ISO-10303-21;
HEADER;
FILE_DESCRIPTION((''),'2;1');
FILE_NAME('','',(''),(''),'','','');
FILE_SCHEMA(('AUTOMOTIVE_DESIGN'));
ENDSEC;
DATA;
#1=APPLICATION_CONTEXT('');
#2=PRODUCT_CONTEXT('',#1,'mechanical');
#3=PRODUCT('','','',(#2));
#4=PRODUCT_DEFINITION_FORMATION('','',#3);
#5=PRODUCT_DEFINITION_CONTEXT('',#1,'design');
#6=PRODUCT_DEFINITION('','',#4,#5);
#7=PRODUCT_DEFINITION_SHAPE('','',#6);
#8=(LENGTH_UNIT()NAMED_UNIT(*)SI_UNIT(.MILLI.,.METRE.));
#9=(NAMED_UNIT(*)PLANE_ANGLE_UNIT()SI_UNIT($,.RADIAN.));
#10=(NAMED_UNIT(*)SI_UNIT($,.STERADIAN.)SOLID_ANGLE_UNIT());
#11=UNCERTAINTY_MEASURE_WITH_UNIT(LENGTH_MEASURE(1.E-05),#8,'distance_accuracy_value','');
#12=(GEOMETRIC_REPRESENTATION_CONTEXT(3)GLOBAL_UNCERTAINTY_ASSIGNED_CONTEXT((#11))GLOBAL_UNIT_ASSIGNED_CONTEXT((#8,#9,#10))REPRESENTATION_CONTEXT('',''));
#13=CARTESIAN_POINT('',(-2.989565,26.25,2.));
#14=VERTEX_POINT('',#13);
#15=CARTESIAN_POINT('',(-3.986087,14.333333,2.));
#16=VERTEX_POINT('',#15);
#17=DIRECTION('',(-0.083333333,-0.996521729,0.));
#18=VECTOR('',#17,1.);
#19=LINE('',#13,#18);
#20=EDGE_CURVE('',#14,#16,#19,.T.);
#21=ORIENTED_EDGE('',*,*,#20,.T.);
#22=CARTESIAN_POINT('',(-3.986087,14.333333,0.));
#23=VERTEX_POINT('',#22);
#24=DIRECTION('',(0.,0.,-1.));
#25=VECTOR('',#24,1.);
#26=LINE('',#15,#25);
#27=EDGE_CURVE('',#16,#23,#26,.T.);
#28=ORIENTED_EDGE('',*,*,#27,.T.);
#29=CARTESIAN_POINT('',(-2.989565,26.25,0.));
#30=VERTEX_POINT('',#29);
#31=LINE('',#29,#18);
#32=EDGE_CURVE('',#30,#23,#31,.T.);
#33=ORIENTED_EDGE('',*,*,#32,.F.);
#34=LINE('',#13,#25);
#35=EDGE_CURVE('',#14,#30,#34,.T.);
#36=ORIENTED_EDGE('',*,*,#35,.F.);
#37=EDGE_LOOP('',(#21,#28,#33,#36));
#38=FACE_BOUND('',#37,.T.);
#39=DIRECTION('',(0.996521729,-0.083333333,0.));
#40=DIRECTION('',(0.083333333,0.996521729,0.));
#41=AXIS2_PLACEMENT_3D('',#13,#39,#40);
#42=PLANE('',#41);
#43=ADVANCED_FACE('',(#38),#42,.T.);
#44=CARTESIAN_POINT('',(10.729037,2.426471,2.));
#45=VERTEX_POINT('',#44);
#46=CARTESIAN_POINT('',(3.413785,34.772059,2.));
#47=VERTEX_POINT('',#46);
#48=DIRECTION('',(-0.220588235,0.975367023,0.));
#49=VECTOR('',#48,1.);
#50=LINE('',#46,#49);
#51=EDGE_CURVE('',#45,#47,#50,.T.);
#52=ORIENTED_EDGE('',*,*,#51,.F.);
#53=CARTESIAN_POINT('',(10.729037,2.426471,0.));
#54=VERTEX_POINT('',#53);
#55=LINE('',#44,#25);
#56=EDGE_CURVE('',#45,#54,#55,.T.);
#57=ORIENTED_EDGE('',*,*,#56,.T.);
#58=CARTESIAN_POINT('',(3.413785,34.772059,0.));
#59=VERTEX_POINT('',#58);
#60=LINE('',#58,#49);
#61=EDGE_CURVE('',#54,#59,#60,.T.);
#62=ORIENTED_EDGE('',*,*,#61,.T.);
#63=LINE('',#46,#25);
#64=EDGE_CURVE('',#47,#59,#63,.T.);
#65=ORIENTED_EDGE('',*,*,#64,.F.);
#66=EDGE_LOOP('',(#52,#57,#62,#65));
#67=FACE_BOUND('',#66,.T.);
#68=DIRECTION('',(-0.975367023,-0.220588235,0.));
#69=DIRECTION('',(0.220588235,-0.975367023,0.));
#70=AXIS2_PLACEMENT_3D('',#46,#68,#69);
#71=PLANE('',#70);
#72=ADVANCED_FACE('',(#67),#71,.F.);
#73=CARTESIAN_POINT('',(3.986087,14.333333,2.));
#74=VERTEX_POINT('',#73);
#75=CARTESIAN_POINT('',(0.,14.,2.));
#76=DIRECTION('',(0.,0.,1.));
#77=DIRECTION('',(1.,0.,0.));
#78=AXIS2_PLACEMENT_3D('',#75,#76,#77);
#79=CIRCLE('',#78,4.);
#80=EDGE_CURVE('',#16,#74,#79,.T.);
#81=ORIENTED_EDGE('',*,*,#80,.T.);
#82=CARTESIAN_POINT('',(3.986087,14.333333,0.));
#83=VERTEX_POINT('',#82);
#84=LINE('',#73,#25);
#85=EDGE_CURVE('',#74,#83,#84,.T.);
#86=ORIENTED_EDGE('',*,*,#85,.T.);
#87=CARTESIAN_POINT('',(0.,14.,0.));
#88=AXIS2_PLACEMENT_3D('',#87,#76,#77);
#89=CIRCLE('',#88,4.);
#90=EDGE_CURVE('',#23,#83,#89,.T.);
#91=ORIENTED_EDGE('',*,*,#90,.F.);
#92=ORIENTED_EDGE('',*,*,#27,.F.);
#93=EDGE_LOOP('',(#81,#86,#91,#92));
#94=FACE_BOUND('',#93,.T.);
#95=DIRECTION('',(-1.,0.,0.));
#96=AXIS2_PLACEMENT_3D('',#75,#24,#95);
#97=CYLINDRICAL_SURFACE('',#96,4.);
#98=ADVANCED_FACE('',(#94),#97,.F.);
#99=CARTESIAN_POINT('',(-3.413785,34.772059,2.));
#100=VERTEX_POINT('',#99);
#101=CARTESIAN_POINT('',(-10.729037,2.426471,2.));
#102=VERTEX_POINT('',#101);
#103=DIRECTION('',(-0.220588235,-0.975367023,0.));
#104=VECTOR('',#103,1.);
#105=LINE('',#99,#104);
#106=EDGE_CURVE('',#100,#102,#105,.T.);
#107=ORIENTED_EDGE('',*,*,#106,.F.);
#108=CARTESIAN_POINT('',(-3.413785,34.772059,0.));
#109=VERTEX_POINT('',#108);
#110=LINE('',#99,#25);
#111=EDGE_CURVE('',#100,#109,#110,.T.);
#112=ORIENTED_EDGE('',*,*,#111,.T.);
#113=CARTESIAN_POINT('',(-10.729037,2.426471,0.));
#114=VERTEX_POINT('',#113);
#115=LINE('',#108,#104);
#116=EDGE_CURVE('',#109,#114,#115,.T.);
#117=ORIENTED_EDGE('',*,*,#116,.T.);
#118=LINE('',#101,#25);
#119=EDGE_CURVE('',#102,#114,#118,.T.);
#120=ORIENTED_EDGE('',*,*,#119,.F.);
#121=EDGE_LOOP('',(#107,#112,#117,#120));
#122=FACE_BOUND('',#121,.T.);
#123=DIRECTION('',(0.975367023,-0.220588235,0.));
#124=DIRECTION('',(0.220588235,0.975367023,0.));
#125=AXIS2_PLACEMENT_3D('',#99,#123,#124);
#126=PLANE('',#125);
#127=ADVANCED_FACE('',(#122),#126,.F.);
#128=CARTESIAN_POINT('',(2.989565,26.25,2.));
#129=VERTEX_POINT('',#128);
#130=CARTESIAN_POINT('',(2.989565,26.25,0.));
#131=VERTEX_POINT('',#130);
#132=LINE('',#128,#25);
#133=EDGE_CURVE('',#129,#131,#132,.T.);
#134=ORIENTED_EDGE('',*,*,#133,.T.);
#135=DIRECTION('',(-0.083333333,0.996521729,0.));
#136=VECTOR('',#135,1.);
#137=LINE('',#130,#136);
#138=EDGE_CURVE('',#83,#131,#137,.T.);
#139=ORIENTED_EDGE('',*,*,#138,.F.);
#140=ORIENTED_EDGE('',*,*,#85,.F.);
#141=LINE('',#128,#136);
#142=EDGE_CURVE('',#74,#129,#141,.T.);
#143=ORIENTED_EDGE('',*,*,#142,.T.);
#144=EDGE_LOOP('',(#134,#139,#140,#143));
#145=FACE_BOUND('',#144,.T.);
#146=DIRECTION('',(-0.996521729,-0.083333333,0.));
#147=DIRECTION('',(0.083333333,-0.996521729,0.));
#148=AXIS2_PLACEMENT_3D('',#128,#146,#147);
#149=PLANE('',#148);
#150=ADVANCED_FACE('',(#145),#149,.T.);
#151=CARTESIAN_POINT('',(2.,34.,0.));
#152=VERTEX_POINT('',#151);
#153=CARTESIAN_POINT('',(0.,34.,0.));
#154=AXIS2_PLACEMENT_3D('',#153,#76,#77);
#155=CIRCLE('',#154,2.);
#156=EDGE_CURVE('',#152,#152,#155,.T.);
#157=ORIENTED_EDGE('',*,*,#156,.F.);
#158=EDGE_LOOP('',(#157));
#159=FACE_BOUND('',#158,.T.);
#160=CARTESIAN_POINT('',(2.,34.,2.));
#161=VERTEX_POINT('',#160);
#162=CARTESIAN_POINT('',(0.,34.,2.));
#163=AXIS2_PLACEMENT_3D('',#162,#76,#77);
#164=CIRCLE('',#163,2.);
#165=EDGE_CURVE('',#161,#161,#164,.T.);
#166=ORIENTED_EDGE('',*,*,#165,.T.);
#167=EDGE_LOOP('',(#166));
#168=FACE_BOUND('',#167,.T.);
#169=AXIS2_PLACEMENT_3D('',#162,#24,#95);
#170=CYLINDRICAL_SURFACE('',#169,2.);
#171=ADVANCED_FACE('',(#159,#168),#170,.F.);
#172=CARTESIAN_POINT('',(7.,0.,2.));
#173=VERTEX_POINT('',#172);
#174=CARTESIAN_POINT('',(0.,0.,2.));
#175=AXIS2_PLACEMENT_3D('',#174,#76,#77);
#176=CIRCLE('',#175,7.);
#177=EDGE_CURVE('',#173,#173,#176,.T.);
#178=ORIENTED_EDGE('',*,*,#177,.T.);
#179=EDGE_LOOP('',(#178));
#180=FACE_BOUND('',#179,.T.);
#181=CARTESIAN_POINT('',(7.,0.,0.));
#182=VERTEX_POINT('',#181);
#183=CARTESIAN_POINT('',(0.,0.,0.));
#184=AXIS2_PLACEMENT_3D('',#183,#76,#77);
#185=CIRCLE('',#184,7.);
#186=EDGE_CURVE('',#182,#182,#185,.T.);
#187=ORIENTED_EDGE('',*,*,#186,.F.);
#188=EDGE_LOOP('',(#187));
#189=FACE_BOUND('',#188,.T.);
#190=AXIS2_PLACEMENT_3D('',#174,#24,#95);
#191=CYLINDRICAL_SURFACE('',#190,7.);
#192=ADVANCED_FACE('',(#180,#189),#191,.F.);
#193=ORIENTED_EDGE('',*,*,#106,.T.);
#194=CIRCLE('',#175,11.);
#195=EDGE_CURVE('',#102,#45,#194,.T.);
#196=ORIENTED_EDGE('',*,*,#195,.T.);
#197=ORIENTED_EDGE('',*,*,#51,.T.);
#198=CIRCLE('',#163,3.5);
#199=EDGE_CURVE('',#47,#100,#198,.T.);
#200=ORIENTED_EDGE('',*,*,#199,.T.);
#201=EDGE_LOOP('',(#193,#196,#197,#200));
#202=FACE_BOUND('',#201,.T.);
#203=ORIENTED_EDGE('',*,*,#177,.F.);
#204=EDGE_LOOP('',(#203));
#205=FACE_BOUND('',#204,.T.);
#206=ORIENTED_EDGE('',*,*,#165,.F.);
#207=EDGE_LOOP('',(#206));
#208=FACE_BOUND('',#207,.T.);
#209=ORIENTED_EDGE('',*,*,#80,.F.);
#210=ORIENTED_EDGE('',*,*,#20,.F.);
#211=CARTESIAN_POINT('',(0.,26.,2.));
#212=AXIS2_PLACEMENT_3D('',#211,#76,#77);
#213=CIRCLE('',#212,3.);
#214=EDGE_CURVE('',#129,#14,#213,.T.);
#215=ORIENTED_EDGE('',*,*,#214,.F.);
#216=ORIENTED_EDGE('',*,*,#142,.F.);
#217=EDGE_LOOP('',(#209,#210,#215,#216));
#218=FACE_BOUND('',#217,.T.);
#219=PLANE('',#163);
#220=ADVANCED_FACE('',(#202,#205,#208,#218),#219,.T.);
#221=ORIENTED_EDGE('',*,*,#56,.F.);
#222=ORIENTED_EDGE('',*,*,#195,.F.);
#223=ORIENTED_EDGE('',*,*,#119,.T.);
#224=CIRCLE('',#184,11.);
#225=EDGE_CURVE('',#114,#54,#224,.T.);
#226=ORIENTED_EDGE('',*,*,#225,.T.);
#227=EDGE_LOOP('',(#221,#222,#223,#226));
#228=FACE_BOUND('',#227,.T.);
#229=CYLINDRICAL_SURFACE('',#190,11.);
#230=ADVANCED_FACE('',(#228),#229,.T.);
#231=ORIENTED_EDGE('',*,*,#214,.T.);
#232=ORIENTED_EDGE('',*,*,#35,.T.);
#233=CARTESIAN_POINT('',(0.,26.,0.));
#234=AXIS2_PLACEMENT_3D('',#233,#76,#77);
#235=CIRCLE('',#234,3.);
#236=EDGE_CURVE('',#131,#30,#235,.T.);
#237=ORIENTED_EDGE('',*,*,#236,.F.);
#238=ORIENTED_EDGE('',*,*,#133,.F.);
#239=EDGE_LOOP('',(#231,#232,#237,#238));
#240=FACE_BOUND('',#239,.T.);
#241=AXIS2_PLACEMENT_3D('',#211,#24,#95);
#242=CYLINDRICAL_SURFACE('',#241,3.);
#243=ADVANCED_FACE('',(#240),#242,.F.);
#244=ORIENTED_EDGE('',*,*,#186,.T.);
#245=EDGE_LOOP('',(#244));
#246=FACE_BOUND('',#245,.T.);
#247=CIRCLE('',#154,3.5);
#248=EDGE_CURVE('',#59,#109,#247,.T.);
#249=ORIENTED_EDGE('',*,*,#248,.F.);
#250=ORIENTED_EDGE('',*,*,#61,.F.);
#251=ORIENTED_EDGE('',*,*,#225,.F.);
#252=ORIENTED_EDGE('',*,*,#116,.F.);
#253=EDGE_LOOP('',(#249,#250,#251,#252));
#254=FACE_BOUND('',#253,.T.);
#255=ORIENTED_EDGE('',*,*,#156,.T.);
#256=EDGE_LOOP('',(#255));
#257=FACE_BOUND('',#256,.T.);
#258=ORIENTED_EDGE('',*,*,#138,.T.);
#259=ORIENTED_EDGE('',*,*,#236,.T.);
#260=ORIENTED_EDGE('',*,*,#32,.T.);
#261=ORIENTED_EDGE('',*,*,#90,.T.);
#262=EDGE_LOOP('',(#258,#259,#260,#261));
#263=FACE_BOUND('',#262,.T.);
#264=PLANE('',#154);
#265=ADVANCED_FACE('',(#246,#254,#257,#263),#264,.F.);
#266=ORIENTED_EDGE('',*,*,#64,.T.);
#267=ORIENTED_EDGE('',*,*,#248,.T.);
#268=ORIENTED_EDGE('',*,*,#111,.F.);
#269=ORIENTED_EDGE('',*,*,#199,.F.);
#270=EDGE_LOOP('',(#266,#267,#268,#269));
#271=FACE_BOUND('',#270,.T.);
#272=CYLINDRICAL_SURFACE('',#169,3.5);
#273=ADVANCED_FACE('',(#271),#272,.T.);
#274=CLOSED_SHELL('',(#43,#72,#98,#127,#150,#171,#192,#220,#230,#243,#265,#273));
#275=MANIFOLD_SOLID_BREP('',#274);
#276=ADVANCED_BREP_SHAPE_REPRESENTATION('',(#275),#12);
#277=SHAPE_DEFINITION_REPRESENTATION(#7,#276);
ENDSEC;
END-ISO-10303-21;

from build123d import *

# Parameters (mm, degrees)
SKETCH_1_R      = 7
SKETCH_1_R_2    = 2
EXTRUDE_1_DEPTH = 2


with BuildPart() as part:
    # 草图1 → 凸台-拉伸1 (new body)
    with BuildSketch(Plane.XY):
        with BuildLine():
            Line((-3.413784582, 34.772058824), (-10.729037258, 2.426470588))
            ThreePointArc((-10.729037258, 2.426470588), (0, -11), (10.729037258, 2.426470588))
            Line((10.729037258, 2.426470588), (3.413784582, 34.772058824))
            ThreePointArc((3.413784582, 34.772058824), (0, 37.5), (-3.413784582, 34.772058824))
        make_face()
        Circle(SKETCH_1_R, mode=Mode.SUBTRACT)
        with Locations((0, 34)):
            Circle(SKETCH_1_R_2, mode=Mode.SUBTRACT)
        with BuildLine():
            Line((-2.989565186, 26.25), (-3.986086914, 14.333333333))
            ThreePointArc((-3.986086914, 14.333333333), (0, 10), (3.986086914, 14.333333333))
            Line((3.986086914, 14.333333333), (2.989565186, 26.25))
            ThreePointArc((2.989565186, 26.25), (0, 29), (-2.989565186, 26.25))
        make_face(mode=Mode.SUBTRACT)
    extrude(amount=EXTRUDE_1_DEPTH)


solid = part.part
